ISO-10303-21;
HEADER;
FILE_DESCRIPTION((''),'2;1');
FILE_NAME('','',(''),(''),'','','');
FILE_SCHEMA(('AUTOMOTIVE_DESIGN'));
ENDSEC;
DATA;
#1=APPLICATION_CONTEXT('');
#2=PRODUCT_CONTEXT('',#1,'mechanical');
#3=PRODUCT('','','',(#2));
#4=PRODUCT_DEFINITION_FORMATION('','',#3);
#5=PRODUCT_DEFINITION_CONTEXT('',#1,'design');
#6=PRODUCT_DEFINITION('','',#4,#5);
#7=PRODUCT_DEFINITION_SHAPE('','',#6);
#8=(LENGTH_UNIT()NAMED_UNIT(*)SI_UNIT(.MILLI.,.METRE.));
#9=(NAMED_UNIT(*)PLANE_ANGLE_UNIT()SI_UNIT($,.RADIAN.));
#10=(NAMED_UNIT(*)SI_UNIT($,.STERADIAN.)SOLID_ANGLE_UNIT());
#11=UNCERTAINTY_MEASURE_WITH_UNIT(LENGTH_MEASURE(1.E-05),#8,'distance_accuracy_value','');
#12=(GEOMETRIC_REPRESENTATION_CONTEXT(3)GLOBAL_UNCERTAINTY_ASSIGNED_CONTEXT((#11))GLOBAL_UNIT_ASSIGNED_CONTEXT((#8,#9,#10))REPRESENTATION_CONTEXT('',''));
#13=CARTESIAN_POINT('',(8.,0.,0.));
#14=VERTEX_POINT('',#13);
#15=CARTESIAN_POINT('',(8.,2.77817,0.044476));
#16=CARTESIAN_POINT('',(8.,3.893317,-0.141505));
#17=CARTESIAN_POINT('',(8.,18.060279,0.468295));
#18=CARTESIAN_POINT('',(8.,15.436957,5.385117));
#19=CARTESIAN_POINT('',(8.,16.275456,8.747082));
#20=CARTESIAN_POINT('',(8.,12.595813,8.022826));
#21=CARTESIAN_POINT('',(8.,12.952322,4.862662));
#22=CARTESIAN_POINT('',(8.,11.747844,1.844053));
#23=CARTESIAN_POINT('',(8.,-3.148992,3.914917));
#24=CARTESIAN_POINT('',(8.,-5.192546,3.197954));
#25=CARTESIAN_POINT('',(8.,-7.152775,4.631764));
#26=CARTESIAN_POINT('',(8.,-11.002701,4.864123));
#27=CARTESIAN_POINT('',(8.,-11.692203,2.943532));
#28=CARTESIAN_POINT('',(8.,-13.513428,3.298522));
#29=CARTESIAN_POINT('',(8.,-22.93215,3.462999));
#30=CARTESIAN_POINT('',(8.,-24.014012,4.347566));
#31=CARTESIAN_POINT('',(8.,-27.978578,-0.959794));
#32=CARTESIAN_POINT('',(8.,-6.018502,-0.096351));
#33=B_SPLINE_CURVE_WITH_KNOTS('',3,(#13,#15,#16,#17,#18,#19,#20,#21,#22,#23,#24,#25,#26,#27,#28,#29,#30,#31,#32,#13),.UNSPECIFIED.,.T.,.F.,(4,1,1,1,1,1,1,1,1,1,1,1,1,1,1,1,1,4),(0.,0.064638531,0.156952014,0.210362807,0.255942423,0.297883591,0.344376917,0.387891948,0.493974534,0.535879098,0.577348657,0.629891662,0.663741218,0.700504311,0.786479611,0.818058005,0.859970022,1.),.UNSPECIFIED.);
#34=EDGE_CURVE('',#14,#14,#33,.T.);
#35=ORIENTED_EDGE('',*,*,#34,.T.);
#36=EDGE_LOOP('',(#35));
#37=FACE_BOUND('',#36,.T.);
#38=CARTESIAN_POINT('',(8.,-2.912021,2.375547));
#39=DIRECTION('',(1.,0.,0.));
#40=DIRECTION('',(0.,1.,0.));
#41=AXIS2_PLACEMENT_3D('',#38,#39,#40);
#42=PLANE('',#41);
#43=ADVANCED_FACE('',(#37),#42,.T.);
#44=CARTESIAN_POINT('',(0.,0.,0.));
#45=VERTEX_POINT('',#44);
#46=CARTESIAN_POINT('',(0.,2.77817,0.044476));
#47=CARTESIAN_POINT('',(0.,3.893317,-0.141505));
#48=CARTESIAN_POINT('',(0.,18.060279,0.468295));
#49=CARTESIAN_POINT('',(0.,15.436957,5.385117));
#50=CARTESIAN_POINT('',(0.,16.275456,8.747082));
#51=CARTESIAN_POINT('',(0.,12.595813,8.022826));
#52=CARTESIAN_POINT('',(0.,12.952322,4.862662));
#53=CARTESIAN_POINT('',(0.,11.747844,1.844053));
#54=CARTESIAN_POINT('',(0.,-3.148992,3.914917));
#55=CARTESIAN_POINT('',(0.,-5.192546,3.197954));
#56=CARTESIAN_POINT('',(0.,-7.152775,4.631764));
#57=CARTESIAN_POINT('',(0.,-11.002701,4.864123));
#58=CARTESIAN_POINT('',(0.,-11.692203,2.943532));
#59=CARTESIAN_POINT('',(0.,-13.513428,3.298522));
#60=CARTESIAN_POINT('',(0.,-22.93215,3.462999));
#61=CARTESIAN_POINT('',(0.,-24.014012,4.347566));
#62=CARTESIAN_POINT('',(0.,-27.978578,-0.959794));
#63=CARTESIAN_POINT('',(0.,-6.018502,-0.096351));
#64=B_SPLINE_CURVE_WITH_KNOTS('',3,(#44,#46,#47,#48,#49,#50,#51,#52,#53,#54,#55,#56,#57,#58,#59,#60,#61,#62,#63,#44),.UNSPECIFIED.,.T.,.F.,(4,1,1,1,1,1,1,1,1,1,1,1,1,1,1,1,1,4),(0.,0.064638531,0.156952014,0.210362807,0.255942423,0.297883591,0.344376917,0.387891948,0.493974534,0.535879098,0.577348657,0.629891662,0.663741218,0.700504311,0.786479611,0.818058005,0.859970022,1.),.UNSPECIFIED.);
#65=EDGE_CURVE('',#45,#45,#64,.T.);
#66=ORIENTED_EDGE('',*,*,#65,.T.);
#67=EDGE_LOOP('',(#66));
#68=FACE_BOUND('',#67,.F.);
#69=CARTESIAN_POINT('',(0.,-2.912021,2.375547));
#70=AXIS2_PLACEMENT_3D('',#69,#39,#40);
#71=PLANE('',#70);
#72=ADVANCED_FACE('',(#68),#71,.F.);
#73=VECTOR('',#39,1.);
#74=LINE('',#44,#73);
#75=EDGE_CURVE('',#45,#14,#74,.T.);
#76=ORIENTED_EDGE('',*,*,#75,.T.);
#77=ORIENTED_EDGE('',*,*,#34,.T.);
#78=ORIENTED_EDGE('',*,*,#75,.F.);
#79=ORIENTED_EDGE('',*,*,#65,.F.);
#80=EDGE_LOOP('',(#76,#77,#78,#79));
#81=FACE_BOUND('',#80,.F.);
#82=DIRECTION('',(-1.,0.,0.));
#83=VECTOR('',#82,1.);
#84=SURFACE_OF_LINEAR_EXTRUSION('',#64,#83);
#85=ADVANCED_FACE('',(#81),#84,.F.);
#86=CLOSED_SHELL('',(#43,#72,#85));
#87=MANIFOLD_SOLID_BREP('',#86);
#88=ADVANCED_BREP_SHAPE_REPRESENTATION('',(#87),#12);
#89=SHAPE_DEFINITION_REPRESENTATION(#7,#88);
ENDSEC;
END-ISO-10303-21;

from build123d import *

# Parameters (mm, degrees)
F1_DEPTH = 8


with BuildPart() as f1:
    # F0 (on Right) → F1 (new body)
    with BuildSketch(Plane.YZ):
        with BuildLine():
            add(Edge.make_bspline(
                [(0, 0), (2.7781701163, 0.044475898), (3.893317027, -0.1415050944), (18.0602791441, 0.468294504), (15.4369573696, 5.3851174597), (16.2754556986, 8.7470821659), (12.5958129529, 8.0228258998), (12.9523224707, 4.8626624161), (11.7478437463, 1.8440530241), (-3.1489920919, 3.9149170317), (-5.1925464737, 3.1979544021), (-7.1527751352, 4.631763759), (-11.0027011134, 4.864122504), (-11.6922029524, 2.9435323915), (-13.5134277167, 3.2985224375), (-22.9321502669, 3.4629994384), (-24.0140116165, 4.3475658278), (-27.9785782753, -0.9597942128), (-6.0185016263, -0.0963505665), (0, 0)],
                knots=[0, 0, 0, 0, 0.0646385306, 0.1569520139, 0.2103628067, 0.2559424226, 0.2978835908, 0.3443769167, 0.3878919479, 0.4939745338, 0.5358790984, 0.5773486572, 0.6298916616, 0.6637412183, 0.7005043112, 0.7864796106, 0.8180580052, 0.8599700216, 1, 1, 1, 1], degree=3))
        make_face()
    extrude(amount=F1_DEPTH)


solid = f1.part
